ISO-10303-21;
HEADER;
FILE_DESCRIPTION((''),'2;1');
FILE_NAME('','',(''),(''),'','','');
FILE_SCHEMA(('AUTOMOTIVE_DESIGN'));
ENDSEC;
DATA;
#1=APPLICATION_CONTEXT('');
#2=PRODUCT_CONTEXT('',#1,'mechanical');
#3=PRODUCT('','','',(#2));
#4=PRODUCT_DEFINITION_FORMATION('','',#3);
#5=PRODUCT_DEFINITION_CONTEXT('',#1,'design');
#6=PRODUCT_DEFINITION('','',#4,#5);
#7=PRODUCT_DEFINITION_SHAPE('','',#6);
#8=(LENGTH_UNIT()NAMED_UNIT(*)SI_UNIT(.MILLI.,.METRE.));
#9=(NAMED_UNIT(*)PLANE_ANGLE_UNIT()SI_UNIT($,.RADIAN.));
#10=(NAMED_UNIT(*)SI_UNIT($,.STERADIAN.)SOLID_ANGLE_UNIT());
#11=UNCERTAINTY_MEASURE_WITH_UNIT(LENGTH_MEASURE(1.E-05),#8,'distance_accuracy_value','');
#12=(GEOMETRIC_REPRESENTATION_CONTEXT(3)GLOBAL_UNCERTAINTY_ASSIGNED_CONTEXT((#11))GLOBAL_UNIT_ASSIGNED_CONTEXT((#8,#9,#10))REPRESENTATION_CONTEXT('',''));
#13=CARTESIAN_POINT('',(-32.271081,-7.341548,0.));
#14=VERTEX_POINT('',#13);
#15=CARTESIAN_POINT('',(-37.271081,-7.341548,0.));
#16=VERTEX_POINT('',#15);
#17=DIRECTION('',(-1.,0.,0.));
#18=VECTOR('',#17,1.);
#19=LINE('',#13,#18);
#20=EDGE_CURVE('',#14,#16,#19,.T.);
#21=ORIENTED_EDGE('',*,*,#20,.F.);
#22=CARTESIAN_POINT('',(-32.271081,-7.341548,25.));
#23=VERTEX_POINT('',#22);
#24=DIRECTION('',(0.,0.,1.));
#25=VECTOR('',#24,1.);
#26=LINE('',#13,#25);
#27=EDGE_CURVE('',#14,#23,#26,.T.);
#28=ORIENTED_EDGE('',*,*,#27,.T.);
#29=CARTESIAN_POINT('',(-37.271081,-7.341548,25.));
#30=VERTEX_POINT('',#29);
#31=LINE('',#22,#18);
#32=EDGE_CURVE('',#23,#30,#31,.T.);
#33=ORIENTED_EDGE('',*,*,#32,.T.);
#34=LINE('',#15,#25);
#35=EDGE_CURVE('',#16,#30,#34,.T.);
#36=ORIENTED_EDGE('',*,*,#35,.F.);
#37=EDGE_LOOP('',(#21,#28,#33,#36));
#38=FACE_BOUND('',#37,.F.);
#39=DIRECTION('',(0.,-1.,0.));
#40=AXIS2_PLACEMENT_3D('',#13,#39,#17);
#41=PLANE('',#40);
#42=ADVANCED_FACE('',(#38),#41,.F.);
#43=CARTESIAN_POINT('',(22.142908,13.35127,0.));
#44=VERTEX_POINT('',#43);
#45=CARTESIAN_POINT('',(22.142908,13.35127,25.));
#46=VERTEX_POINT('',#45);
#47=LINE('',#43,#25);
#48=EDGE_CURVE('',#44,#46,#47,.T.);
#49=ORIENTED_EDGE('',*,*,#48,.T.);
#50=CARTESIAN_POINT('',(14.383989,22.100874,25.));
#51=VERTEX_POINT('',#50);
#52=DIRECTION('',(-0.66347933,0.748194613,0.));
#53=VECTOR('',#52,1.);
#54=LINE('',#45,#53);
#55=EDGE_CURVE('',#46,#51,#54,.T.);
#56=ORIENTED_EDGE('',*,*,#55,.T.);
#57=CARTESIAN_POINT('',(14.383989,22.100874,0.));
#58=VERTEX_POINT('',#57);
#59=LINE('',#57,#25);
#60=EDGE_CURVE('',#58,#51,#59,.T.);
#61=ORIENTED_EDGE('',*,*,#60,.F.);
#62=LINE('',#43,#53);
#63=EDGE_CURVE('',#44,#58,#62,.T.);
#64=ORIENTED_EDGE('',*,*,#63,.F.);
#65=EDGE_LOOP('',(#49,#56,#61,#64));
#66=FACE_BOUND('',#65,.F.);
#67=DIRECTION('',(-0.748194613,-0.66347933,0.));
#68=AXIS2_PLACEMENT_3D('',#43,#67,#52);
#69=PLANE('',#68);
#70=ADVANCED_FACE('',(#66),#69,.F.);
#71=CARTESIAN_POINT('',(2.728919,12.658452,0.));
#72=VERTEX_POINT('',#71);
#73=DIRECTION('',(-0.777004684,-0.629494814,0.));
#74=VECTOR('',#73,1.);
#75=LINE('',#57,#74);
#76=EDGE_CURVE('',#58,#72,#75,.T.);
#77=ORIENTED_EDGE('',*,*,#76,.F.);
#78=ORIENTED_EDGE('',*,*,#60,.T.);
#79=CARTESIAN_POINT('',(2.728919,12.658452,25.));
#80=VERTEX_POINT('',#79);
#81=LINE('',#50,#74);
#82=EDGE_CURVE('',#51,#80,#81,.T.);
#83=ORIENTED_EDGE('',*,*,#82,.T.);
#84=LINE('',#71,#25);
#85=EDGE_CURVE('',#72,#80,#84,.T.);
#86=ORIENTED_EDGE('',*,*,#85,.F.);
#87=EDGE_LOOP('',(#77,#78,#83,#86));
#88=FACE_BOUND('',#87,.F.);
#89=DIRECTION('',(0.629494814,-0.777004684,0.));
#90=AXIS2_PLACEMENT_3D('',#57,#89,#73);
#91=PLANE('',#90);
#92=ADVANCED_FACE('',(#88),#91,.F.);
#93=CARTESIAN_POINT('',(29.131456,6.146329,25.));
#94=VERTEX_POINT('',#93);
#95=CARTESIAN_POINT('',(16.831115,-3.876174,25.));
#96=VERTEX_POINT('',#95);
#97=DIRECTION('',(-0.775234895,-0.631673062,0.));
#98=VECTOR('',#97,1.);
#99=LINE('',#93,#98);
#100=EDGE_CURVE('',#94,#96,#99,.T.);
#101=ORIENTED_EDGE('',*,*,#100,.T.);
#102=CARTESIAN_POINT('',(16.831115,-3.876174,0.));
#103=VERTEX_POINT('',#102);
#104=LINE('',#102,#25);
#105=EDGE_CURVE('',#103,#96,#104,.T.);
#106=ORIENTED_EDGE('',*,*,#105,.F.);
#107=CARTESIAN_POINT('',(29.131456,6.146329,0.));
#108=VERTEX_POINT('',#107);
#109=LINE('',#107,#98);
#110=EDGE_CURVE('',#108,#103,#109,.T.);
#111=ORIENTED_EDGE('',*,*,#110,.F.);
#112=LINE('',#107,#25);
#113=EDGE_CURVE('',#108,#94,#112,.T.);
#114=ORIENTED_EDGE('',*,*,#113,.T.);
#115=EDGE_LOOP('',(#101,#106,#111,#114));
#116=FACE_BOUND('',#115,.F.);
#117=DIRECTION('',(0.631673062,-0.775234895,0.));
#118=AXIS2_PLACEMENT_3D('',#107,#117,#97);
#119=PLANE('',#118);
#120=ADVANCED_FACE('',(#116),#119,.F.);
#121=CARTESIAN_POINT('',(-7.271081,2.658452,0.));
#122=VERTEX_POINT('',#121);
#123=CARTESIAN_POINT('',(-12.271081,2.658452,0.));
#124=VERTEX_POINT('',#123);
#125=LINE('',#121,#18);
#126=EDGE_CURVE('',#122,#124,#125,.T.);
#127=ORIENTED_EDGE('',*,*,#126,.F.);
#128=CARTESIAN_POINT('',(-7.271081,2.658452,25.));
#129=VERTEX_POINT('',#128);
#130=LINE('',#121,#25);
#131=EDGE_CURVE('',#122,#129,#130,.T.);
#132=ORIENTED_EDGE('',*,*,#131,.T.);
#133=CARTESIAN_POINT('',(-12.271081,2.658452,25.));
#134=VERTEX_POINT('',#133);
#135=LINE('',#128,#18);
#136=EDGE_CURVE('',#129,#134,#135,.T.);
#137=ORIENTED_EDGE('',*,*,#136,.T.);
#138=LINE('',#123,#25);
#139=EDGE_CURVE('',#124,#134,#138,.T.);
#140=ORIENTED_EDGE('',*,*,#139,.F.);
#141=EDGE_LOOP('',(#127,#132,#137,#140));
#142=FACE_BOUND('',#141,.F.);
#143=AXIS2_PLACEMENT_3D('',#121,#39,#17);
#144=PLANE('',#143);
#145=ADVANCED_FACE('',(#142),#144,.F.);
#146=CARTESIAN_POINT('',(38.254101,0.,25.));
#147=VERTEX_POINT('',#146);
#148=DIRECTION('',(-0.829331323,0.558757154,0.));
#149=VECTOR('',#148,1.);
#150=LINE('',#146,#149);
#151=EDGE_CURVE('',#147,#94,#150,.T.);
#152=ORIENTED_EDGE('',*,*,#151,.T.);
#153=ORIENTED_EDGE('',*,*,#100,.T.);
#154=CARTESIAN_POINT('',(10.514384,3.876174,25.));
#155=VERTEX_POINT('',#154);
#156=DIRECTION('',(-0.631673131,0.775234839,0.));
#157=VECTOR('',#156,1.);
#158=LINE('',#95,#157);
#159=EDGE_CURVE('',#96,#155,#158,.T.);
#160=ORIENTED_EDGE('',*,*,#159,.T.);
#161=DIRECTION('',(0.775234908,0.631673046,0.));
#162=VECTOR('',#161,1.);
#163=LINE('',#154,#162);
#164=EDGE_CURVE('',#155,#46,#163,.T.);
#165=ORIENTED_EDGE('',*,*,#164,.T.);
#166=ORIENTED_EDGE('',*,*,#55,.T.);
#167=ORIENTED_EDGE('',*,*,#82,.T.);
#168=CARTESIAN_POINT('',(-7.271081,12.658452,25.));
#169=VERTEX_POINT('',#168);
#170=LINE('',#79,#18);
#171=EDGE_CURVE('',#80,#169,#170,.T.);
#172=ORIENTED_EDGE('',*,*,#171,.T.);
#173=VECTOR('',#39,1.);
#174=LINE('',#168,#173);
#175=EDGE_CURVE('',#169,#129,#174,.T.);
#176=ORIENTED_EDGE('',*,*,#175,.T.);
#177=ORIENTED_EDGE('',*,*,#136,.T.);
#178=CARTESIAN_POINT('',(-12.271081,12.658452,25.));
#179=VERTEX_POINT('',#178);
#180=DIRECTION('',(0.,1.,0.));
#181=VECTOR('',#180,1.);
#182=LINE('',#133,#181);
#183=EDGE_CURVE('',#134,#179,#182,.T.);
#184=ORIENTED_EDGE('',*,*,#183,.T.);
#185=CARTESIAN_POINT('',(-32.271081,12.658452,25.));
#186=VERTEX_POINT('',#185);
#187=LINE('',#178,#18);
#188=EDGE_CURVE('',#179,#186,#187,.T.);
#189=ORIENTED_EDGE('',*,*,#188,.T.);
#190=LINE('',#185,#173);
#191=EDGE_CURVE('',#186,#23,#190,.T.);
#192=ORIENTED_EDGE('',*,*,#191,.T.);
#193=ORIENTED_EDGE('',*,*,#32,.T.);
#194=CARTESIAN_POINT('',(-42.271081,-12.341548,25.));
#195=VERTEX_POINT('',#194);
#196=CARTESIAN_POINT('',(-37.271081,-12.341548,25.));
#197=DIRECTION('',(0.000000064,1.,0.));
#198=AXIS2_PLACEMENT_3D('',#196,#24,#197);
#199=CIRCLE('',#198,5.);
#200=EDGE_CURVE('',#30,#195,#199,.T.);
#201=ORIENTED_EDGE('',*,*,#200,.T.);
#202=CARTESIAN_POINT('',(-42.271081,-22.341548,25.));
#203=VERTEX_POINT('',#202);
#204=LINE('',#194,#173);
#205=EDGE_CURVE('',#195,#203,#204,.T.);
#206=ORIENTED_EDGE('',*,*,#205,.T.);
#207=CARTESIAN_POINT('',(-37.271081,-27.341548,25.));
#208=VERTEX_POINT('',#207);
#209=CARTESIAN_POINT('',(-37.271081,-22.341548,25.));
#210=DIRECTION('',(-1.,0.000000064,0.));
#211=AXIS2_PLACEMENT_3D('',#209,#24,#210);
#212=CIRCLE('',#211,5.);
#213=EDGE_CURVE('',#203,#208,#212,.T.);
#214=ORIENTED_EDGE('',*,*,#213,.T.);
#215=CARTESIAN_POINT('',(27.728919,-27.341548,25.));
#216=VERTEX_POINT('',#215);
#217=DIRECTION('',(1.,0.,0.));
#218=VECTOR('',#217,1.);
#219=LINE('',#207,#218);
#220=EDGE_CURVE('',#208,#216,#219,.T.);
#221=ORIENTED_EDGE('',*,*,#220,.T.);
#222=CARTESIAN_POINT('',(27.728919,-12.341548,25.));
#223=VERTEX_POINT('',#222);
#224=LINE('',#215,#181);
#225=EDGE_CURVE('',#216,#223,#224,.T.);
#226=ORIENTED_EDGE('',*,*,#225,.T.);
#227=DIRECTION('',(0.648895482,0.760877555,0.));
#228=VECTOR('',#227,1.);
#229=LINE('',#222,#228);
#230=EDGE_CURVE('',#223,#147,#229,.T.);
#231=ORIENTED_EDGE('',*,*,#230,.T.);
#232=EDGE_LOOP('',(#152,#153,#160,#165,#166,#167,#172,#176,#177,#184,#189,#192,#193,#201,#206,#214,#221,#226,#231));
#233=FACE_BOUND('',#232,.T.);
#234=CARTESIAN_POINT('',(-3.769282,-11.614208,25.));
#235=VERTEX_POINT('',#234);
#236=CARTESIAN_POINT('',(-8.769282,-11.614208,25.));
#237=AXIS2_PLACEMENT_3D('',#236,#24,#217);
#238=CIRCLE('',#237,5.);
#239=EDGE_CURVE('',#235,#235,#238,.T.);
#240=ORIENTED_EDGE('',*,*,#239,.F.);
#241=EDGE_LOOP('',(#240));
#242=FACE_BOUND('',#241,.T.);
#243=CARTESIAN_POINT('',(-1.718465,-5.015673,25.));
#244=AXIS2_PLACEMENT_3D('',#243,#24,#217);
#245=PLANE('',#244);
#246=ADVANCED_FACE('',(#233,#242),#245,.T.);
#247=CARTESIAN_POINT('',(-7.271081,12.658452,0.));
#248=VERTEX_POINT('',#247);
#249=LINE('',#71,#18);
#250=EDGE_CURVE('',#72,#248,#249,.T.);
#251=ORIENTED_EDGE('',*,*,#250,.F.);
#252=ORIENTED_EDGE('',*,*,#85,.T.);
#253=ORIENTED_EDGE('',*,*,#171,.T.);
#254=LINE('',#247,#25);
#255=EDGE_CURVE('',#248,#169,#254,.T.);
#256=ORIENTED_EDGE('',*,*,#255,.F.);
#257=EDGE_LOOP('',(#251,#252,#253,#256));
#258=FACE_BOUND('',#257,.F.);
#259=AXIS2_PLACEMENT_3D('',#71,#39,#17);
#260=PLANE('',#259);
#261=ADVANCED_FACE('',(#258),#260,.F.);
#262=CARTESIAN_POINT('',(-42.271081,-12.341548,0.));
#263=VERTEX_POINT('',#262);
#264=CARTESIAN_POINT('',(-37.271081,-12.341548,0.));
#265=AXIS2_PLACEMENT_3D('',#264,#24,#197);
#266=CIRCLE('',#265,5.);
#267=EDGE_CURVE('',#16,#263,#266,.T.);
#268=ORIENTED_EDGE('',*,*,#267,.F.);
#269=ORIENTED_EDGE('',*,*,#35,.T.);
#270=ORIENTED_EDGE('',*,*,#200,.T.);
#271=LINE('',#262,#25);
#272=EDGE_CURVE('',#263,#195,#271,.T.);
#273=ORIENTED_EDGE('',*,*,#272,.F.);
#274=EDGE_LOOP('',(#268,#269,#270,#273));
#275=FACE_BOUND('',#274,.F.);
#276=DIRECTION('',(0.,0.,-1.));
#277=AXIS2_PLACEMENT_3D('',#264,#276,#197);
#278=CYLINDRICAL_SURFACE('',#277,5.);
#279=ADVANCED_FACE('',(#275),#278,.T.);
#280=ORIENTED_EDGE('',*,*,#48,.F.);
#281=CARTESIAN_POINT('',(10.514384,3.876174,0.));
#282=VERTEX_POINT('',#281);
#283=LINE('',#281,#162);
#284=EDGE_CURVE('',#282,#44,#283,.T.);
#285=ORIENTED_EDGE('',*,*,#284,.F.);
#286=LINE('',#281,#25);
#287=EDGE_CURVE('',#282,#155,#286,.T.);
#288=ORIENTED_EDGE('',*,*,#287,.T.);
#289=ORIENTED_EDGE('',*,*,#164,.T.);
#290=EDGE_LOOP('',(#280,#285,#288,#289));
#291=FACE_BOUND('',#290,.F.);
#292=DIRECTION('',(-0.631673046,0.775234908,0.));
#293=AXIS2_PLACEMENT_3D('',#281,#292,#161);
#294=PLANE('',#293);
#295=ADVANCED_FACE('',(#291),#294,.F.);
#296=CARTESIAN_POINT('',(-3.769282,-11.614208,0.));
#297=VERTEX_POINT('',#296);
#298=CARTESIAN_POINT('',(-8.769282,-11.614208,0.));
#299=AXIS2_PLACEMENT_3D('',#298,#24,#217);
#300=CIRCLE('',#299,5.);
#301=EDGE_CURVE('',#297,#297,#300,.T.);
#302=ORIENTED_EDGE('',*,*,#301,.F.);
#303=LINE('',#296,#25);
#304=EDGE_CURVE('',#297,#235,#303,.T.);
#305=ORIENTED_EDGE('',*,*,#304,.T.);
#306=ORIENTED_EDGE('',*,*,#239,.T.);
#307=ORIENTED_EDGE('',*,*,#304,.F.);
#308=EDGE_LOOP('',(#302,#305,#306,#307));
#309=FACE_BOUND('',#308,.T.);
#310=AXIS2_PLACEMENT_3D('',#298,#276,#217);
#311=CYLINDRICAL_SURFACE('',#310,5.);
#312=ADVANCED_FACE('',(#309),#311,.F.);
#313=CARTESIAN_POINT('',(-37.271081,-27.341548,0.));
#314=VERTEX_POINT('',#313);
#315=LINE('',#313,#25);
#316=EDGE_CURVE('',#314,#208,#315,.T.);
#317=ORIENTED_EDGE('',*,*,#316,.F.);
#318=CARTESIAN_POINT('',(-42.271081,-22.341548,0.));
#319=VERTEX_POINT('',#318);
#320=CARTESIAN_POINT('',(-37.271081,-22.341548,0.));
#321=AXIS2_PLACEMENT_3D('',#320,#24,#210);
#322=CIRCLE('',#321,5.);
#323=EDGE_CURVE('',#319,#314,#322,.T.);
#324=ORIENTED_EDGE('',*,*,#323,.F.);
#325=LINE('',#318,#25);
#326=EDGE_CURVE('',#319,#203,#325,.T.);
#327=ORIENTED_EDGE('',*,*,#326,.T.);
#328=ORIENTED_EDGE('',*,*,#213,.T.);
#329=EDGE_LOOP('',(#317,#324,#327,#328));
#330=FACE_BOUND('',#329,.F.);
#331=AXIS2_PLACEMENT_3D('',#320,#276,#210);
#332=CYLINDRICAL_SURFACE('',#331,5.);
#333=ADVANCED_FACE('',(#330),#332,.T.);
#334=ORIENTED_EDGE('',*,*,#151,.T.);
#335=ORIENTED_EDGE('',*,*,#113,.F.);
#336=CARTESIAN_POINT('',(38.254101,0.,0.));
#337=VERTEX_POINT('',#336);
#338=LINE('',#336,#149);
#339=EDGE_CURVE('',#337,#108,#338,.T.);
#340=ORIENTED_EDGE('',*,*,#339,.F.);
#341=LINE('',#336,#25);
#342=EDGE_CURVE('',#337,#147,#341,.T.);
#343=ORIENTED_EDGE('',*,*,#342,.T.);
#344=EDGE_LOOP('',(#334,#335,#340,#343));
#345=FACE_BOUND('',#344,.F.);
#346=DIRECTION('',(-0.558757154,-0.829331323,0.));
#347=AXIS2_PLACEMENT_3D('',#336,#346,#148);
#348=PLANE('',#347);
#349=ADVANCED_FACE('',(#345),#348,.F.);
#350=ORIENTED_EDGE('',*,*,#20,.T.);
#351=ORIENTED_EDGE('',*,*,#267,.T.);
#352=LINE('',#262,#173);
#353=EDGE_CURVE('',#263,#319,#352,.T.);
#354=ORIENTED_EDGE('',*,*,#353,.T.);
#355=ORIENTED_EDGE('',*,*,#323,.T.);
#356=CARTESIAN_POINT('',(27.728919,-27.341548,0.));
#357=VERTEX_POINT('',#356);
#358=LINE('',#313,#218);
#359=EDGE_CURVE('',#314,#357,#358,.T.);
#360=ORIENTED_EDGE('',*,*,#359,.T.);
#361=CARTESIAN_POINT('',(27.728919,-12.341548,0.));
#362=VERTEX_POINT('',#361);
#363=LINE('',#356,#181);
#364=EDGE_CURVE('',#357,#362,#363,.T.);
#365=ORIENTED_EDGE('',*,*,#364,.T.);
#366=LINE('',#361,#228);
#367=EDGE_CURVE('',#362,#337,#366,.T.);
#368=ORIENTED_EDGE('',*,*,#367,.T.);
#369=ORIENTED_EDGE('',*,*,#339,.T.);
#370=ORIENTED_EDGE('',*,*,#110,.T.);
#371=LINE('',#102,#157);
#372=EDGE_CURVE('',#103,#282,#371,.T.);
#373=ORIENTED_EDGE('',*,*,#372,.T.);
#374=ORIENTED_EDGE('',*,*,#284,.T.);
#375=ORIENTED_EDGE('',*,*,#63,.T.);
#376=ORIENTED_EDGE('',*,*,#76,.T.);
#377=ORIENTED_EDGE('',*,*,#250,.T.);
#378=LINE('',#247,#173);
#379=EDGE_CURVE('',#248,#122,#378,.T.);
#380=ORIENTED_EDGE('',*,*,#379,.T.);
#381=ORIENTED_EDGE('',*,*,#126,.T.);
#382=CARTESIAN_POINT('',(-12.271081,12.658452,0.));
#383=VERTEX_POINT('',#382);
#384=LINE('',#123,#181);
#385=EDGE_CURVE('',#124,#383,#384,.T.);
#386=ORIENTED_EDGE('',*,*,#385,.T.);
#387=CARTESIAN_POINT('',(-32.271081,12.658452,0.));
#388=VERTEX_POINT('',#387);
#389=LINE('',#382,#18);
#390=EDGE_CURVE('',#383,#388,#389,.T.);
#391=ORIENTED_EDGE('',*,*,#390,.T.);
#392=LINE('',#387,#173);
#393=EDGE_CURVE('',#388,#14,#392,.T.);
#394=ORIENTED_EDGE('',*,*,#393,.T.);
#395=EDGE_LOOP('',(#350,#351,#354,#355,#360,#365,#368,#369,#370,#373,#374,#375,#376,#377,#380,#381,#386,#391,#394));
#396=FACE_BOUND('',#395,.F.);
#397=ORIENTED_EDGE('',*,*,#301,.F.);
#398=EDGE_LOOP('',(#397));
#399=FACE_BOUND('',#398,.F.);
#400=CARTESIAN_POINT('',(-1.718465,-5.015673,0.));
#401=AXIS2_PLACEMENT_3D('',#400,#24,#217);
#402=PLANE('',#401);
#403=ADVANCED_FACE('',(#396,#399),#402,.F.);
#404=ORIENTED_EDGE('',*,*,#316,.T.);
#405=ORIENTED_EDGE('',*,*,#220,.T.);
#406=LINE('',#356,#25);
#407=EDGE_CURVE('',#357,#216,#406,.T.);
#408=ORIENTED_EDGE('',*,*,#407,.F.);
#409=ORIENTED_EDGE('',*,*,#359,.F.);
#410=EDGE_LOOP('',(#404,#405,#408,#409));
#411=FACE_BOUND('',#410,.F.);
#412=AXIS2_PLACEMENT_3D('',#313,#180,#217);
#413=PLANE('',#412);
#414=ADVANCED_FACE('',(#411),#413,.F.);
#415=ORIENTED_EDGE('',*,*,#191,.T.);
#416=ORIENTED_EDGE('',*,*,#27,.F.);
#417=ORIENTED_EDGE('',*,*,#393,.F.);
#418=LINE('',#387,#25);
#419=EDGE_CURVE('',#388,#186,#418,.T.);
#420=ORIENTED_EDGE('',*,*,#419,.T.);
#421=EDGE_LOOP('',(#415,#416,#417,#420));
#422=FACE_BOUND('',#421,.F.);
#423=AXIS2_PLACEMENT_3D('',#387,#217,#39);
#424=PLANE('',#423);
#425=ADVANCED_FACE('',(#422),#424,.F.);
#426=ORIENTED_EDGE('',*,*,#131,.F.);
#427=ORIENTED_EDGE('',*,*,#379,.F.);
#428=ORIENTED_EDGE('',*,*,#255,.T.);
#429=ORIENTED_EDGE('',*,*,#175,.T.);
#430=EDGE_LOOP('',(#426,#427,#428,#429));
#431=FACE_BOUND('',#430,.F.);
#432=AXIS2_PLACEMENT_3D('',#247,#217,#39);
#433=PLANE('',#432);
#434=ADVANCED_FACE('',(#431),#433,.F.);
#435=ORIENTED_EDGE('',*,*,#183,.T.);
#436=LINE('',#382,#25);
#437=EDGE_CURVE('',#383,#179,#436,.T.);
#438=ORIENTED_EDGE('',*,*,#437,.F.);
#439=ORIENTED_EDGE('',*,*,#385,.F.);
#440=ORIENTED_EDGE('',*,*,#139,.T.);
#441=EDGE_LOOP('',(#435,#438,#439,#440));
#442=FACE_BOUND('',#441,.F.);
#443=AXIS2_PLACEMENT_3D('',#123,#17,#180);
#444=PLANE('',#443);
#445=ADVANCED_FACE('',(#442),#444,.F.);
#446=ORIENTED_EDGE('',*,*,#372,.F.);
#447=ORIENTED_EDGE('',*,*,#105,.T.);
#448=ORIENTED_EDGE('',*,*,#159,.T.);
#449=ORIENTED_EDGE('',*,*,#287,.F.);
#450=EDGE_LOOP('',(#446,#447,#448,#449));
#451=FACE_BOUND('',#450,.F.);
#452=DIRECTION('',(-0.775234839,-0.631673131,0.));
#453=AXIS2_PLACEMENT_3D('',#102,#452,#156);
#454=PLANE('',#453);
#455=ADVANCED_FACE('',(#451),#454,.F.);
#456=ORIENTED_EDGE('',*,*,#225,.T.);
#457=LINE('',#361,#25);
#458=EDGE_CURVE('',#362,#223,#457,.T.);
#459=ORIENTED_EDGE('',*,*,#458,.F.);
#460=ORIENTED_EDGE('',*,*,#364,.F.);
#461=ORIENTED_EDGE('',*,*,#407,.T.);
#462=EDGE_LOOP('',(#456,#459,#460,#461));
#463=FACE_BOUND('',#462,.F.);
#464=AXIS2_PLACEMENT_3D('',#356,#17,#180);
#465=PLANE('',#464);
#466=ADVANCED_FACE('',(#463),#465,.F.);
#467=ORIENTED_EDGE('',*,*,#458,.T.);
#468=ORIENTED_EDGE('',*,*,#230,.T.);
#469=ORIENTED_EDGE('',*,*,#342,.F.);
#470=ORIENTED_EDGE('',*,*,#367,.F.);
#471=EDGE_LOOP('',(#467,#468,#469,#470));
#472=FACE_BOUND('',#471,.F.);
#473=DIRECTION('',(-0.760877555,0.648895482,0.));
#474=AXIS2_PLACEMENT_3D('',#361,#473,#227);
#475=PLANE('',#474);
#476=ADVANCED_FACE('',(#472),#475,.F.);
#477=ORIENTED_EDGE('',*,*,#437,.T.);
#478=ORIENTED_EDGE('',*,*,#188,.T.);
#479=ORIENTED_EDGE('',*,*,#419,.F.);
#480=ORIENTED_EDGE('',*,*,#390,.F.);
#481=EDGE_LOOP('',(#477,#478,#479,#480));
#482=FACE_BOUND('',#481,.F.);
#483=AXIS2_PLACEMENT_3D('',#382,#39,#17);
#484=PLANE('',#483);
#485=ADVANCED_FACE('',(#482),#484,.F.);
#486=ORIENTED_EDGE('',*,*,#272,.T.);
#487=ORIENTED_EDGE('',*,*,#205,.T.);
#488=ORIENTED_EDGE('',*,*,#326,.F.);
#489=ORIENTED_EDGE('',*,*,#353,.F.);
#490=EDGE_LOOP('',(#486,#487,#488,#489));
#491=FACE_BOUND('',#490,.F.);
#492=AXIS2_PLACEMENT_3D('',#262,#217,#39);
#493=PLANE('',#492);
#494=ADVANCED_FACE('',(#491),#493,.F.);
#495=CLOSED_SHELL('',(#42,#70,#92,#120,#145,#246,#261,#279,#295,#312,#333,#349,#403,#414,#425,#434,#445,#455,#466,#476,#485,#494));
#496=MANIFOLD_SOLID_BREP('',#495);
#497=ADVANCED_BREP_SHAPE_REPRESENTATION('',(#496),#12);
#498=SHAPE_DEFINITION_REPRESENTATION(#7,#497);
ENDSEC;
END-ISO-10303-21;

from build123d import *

# Parameters (mm, degrees)
F0_R     = 5
F1_DEPTH = 25
F2_DEPTH = 25


with BuildPart() as f1:
    # F0 (on Top) → F1 (new body)
    with BuildSketch(Plane.XY):
        with BuildLine():
            Line((-37.271081, -27.341548), (27.728919, -27.341548))
            Line((27.728919, -27.341548), (27.728919, -12.341548))
            Line((27.728919, -12.341548), (38.254101, 0))
            Line((38.254101, 0), (29.131456, 6.146329))
            Line((29.131456, 6.146329), (16.831115, -3.876174))
            Line((16.831115, -3.876174), (10.514384, 3.876174))
            Line((10.514384, 3.876174), (22.142908, 13.35127))
            Line((22.142908, 13.35127), (14.383989, 22.100874))
            Line((14.383989, 22.100874), (2.728919, 12.658452))
            Line((2.728919, 12.658452), (-7.271081, 12.658452))
            Line((-7.271081, 12.658452), (-7.271081, 2.658452))
            Line((-7.271081, 2.658452), (-12.271081, 2.658452))
            Line((-12.271081, 2.658452), (-12.271081, 12.658452))
            Line((-12.271081, 12.658452), (-32.271081, 12.658452))
            Line((-32.271081, 12.658452), (-32.271081, -7.341548))
            Line((-32.271081, -7.341548), (-37.271081, -7.341548))
            ThreePointArc((-37.271081, -7.341548), (-40.806615, -8.806014), (-42.271081, -12.341548))
            Line((-42.271081, -12.341548), (-42.271081, -22.341548))
            ThreePointArc((-42.271081, -22.341548), (-40.806615, -25.877082), (-37.271081, -27.341548))
        make_face()
        with Locations((-8.769282, -11.614208)):
            Circle(F0_R, mode=Mode.SUBTRACT)
    extrude(amount=F1_DEPTH)

    # F0 (on Top) → F2 (join)
    with BuildSketch(Plane.XY):
        with BuildLine():
            Line((-37.271081, -27.341548), (27.728919, -27.341548))
            Line((27.728919, -27.341548), (27.728919, -12.341548))
            Line((27.728919, -12.341548), (38.254101, 0))
            Line((38.254101, 0), (29.131456, 6.146329))
            Line((29.131456, 6.146329), (16.831115, -3.876174))
            Line((16.831115, -3.876174), (10.514384, 3.876174))
            Line((10.514384, 3.876174), (22.142908, 13.35127))
            Line((22.142908, 13.35127), (14.383989, 22.100874))
            Line((14.383989, 22.100874), (2.728919, 12.658452))
            Line((2.728919, 12.658452), (-7.271081, 12.658452))
            Line((-7.271081, 12.658452), (-7.271081, 2.658452))
            Line((-7.271081, 2.658452), (-12.271081, 2.658452))
            Line((-12.271081, 2.658452), (-12.271081, 12.658452))
            Line((-12.271081, 12.658452), (-32.271081, 12.658452))
            Line((-32.271081, 12.658452), (-32.271081, -7.341548))
            Line((-32.271081, -7.341548), (-37.271081, -7.341548))
            ThreePointArc((-37.271081, -7.341548), (-40.806615, -8.806014), (-42.271081, -12.341548))
            Line((-42.271081, -12.341548), (-42.271081, -22.341548))
            ThreePointArc((-42.271081, -22.341548), (-40.806615, -25.877082), (-37.271081, -27.341548))
        make_face()
        with Locations((-8.769282, -11.614208)):
            Circle(F0_R, mode=Mode.SUBTRACT)
    extrude(amount=F2_DEPTH)


solid = f1.part
